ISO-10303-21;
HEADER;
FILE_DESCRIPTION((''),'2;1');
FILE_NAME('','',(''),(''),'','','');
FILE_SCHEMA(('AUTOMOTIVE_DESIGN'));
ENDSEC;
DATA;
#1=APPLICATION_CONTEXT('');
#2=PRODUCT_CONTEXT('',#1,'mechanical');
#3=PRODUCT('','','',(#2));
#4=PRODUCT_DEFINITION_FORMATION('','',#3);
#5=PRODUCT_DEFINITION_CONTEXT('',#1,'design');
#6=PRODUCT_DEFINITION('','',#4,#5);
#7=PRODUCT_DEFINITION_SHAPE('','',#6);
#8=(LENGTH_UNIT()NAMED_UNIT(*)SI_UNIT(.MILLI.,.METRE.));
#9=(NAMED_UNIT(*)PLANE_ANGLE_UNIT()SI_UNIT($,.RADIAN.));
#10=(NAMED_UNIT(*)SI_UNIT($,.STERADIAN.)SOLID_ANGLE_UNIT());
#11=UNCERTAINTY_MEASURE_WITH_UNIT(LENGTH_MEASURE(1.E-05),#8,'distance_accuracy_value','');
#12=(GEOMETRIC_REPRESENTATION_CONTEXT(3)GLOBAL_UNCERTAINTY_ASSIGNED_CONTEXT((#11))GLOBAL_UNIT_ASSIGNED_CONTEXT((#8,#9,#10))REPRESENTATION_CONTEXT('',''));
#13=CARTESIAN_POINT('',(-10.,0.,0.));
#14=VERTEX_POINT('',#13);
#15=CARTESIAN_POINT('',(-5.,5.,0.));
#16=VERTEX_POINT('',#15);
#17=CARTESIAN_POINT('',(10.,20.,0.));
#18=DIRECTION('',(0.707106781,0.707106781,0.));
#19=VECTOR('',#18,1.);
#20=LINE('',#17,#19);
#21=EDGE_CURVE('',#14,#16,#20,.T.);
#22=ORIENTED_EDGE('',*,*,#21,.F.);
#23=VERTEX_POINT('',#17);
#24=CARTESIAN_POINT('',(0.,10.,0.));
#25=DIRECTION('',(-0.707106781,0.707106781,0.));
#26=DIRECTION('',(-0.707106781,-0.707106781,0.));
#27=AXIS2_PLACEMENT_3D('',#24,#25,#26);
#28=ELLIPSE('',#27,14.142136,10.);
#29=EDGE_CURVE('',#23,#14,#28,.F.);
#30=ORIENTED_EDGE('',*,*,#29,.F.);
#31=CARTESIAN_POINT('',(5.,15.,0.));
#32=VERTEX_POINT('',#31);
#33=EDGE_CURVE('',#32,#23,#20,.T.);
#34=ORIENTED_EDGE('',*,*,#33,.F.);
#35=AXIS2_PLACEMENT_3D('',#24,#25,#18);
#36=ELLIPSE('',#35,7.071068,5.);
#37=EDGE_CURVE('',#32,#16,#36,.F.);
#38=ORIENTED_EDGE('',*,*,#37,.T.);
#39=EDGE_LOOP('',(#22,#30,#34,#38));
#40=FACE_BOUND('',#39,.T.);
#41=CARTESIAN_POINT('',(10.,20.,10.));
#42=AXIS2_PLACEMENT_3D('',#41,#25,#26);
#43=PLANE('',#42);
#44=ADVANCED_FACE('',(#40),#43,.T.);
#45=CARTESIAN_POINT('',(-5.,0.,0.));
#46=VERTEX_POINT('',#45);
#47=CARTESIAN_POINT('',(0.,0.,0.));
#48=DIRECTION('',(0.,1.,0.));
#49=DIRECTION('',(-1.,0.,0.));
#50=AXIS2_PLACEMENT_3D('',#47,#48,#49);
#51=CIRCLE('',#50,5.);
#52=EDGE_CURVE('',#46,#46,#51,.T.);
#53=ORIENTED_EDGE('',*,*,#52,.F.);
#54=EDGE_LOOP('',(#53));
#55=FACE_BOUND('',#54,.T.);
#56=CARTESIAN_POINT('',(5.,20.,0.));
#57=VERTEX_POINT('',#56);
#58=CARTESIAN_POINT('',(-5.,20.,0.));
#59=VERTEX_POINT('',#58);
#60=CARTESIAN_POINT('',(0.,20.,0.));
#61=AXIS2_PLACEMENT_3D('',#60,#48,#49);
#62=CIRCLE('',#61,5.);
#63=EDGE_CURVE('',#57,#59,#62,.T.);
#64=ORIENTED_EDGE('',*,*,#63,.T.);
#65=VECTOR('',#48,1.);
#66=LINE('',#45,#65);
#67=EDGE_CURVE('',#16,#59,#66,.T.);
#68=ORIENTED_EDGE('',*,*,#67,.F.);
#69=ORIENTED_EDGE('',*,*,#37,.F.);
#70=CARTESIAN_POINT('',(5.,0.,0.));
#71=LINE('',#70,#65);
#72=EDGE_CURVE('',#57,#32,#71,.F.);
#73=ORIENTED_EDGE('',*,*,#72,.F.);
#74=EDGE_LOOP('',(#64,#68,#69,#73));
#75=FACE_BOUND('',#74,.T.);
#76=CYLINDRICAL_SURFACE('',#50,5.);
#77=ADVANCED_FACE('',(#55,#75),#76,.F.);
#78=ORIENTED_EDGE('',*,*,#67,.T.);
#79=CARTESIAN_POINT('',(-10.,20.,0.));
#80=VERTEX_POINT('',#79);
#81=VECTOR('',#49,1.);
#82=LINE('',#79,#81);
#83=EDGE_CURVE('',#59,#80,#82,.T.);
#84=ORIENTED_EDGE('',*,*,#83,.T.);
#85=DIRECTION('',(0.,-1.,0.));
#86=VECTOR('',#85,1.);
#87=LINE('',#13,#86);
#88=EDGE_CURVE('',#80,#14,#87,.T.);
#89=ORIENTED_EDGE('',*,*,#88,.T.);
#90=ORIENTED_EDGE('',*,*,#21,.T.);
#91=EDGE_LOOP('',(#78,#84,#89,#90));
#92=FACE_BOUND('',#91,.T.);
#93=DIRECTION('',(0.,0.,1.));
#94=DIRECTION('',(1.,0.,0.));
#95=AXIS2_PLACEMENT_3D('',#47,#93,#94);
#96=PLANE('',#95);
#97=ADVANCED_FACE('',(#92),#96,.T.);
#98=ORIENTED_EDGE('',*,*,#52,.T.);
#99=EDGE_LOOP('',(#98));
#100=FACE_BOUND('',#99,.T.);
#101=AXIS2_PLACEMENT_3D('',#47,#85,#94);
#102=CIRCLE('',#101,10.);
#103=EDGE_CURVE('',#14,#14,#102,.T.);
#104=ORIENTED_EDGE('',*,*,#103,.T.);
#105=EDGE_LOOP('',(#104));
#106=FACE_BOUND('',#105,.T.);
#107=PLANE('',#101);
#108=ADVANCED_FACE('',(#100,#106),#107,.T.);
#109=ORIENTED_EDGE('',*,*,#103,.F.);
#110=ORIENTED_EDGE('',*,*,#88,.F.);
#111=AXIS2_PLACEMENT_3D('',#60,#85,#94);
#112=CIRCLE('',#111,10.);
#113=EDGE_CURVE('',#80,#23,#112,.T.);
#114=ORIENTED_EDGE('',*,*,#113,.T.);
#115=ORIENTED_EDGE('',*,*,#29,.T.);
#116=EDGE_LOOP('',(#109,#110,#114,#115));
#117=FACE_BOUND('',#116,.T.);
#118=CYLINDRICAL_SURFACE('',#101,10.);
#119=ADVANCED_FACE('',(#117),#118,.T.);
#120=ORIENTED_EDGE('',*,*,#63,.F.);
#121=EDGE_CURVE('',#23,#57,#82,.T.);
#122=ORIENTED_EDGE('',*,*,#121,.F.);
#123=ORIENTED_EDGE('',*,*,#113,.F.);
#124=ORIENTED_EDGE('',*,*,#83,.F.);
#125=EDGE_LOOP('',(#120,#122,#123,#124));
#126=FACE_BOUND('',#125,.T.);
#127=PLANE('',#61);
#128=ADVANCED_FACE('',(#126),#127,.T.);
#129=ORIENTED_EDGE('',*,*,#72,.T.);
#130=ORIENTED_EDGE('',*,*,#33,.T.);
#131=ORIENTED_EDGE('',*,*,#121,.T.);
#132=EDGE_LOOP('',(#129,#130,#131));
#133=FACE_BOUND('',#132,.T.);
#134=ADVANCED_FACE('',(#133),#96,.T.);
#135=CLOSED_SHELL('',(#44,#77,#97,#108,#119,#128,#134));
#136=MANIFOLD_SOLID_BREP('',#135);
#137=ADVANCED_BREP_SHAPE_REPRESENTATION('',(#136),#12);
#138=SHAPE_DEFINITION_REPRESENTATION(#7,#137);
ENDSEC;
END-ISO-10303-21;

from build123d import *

# Parameters (mm, degrees)
SKETCH1_W          = 10
SKETCH1_H          = 20
SKETCH2_R          = 5
CUT_EXTRUDE4_DEPTH = 20
CUT_EXTRUDE5_DEPTH = 10


with BuildPart() as part:
    # Sketch1 → Revolve1 (revolve)
    with BuildSketch(Plane.XY):
        with Locations((5, 10)):
            Rectangle(SKETCH1_W, SKETCH1_H)
    revolve(axis=Axis((0, 0, 0), (0, 1, 0)))

    # Sketch2 → Cut-Extrude4 (cut)
    with BuildSketch(Plane(origin=(0, 20, 0), x_dir=(1, 0, 0), z_dir=(0, 1, 0))):
        Circle(SKETCH2_R)
    extrude(amount=-CUT_EXTRUDE4_DEPTH, mode=Mode.SUBTRACT)

    # Sketch4 → Cut-Extrude5 (cut)
    with BuildSketch(Plane.XY):
        Polygon((10, 20), (-10, 0), (-10, 20), align=None)
    extrude(amount=CUT_EXTRUDE5_DEPTH, mode=Mode.SUBTRACT)


solid = part.part
